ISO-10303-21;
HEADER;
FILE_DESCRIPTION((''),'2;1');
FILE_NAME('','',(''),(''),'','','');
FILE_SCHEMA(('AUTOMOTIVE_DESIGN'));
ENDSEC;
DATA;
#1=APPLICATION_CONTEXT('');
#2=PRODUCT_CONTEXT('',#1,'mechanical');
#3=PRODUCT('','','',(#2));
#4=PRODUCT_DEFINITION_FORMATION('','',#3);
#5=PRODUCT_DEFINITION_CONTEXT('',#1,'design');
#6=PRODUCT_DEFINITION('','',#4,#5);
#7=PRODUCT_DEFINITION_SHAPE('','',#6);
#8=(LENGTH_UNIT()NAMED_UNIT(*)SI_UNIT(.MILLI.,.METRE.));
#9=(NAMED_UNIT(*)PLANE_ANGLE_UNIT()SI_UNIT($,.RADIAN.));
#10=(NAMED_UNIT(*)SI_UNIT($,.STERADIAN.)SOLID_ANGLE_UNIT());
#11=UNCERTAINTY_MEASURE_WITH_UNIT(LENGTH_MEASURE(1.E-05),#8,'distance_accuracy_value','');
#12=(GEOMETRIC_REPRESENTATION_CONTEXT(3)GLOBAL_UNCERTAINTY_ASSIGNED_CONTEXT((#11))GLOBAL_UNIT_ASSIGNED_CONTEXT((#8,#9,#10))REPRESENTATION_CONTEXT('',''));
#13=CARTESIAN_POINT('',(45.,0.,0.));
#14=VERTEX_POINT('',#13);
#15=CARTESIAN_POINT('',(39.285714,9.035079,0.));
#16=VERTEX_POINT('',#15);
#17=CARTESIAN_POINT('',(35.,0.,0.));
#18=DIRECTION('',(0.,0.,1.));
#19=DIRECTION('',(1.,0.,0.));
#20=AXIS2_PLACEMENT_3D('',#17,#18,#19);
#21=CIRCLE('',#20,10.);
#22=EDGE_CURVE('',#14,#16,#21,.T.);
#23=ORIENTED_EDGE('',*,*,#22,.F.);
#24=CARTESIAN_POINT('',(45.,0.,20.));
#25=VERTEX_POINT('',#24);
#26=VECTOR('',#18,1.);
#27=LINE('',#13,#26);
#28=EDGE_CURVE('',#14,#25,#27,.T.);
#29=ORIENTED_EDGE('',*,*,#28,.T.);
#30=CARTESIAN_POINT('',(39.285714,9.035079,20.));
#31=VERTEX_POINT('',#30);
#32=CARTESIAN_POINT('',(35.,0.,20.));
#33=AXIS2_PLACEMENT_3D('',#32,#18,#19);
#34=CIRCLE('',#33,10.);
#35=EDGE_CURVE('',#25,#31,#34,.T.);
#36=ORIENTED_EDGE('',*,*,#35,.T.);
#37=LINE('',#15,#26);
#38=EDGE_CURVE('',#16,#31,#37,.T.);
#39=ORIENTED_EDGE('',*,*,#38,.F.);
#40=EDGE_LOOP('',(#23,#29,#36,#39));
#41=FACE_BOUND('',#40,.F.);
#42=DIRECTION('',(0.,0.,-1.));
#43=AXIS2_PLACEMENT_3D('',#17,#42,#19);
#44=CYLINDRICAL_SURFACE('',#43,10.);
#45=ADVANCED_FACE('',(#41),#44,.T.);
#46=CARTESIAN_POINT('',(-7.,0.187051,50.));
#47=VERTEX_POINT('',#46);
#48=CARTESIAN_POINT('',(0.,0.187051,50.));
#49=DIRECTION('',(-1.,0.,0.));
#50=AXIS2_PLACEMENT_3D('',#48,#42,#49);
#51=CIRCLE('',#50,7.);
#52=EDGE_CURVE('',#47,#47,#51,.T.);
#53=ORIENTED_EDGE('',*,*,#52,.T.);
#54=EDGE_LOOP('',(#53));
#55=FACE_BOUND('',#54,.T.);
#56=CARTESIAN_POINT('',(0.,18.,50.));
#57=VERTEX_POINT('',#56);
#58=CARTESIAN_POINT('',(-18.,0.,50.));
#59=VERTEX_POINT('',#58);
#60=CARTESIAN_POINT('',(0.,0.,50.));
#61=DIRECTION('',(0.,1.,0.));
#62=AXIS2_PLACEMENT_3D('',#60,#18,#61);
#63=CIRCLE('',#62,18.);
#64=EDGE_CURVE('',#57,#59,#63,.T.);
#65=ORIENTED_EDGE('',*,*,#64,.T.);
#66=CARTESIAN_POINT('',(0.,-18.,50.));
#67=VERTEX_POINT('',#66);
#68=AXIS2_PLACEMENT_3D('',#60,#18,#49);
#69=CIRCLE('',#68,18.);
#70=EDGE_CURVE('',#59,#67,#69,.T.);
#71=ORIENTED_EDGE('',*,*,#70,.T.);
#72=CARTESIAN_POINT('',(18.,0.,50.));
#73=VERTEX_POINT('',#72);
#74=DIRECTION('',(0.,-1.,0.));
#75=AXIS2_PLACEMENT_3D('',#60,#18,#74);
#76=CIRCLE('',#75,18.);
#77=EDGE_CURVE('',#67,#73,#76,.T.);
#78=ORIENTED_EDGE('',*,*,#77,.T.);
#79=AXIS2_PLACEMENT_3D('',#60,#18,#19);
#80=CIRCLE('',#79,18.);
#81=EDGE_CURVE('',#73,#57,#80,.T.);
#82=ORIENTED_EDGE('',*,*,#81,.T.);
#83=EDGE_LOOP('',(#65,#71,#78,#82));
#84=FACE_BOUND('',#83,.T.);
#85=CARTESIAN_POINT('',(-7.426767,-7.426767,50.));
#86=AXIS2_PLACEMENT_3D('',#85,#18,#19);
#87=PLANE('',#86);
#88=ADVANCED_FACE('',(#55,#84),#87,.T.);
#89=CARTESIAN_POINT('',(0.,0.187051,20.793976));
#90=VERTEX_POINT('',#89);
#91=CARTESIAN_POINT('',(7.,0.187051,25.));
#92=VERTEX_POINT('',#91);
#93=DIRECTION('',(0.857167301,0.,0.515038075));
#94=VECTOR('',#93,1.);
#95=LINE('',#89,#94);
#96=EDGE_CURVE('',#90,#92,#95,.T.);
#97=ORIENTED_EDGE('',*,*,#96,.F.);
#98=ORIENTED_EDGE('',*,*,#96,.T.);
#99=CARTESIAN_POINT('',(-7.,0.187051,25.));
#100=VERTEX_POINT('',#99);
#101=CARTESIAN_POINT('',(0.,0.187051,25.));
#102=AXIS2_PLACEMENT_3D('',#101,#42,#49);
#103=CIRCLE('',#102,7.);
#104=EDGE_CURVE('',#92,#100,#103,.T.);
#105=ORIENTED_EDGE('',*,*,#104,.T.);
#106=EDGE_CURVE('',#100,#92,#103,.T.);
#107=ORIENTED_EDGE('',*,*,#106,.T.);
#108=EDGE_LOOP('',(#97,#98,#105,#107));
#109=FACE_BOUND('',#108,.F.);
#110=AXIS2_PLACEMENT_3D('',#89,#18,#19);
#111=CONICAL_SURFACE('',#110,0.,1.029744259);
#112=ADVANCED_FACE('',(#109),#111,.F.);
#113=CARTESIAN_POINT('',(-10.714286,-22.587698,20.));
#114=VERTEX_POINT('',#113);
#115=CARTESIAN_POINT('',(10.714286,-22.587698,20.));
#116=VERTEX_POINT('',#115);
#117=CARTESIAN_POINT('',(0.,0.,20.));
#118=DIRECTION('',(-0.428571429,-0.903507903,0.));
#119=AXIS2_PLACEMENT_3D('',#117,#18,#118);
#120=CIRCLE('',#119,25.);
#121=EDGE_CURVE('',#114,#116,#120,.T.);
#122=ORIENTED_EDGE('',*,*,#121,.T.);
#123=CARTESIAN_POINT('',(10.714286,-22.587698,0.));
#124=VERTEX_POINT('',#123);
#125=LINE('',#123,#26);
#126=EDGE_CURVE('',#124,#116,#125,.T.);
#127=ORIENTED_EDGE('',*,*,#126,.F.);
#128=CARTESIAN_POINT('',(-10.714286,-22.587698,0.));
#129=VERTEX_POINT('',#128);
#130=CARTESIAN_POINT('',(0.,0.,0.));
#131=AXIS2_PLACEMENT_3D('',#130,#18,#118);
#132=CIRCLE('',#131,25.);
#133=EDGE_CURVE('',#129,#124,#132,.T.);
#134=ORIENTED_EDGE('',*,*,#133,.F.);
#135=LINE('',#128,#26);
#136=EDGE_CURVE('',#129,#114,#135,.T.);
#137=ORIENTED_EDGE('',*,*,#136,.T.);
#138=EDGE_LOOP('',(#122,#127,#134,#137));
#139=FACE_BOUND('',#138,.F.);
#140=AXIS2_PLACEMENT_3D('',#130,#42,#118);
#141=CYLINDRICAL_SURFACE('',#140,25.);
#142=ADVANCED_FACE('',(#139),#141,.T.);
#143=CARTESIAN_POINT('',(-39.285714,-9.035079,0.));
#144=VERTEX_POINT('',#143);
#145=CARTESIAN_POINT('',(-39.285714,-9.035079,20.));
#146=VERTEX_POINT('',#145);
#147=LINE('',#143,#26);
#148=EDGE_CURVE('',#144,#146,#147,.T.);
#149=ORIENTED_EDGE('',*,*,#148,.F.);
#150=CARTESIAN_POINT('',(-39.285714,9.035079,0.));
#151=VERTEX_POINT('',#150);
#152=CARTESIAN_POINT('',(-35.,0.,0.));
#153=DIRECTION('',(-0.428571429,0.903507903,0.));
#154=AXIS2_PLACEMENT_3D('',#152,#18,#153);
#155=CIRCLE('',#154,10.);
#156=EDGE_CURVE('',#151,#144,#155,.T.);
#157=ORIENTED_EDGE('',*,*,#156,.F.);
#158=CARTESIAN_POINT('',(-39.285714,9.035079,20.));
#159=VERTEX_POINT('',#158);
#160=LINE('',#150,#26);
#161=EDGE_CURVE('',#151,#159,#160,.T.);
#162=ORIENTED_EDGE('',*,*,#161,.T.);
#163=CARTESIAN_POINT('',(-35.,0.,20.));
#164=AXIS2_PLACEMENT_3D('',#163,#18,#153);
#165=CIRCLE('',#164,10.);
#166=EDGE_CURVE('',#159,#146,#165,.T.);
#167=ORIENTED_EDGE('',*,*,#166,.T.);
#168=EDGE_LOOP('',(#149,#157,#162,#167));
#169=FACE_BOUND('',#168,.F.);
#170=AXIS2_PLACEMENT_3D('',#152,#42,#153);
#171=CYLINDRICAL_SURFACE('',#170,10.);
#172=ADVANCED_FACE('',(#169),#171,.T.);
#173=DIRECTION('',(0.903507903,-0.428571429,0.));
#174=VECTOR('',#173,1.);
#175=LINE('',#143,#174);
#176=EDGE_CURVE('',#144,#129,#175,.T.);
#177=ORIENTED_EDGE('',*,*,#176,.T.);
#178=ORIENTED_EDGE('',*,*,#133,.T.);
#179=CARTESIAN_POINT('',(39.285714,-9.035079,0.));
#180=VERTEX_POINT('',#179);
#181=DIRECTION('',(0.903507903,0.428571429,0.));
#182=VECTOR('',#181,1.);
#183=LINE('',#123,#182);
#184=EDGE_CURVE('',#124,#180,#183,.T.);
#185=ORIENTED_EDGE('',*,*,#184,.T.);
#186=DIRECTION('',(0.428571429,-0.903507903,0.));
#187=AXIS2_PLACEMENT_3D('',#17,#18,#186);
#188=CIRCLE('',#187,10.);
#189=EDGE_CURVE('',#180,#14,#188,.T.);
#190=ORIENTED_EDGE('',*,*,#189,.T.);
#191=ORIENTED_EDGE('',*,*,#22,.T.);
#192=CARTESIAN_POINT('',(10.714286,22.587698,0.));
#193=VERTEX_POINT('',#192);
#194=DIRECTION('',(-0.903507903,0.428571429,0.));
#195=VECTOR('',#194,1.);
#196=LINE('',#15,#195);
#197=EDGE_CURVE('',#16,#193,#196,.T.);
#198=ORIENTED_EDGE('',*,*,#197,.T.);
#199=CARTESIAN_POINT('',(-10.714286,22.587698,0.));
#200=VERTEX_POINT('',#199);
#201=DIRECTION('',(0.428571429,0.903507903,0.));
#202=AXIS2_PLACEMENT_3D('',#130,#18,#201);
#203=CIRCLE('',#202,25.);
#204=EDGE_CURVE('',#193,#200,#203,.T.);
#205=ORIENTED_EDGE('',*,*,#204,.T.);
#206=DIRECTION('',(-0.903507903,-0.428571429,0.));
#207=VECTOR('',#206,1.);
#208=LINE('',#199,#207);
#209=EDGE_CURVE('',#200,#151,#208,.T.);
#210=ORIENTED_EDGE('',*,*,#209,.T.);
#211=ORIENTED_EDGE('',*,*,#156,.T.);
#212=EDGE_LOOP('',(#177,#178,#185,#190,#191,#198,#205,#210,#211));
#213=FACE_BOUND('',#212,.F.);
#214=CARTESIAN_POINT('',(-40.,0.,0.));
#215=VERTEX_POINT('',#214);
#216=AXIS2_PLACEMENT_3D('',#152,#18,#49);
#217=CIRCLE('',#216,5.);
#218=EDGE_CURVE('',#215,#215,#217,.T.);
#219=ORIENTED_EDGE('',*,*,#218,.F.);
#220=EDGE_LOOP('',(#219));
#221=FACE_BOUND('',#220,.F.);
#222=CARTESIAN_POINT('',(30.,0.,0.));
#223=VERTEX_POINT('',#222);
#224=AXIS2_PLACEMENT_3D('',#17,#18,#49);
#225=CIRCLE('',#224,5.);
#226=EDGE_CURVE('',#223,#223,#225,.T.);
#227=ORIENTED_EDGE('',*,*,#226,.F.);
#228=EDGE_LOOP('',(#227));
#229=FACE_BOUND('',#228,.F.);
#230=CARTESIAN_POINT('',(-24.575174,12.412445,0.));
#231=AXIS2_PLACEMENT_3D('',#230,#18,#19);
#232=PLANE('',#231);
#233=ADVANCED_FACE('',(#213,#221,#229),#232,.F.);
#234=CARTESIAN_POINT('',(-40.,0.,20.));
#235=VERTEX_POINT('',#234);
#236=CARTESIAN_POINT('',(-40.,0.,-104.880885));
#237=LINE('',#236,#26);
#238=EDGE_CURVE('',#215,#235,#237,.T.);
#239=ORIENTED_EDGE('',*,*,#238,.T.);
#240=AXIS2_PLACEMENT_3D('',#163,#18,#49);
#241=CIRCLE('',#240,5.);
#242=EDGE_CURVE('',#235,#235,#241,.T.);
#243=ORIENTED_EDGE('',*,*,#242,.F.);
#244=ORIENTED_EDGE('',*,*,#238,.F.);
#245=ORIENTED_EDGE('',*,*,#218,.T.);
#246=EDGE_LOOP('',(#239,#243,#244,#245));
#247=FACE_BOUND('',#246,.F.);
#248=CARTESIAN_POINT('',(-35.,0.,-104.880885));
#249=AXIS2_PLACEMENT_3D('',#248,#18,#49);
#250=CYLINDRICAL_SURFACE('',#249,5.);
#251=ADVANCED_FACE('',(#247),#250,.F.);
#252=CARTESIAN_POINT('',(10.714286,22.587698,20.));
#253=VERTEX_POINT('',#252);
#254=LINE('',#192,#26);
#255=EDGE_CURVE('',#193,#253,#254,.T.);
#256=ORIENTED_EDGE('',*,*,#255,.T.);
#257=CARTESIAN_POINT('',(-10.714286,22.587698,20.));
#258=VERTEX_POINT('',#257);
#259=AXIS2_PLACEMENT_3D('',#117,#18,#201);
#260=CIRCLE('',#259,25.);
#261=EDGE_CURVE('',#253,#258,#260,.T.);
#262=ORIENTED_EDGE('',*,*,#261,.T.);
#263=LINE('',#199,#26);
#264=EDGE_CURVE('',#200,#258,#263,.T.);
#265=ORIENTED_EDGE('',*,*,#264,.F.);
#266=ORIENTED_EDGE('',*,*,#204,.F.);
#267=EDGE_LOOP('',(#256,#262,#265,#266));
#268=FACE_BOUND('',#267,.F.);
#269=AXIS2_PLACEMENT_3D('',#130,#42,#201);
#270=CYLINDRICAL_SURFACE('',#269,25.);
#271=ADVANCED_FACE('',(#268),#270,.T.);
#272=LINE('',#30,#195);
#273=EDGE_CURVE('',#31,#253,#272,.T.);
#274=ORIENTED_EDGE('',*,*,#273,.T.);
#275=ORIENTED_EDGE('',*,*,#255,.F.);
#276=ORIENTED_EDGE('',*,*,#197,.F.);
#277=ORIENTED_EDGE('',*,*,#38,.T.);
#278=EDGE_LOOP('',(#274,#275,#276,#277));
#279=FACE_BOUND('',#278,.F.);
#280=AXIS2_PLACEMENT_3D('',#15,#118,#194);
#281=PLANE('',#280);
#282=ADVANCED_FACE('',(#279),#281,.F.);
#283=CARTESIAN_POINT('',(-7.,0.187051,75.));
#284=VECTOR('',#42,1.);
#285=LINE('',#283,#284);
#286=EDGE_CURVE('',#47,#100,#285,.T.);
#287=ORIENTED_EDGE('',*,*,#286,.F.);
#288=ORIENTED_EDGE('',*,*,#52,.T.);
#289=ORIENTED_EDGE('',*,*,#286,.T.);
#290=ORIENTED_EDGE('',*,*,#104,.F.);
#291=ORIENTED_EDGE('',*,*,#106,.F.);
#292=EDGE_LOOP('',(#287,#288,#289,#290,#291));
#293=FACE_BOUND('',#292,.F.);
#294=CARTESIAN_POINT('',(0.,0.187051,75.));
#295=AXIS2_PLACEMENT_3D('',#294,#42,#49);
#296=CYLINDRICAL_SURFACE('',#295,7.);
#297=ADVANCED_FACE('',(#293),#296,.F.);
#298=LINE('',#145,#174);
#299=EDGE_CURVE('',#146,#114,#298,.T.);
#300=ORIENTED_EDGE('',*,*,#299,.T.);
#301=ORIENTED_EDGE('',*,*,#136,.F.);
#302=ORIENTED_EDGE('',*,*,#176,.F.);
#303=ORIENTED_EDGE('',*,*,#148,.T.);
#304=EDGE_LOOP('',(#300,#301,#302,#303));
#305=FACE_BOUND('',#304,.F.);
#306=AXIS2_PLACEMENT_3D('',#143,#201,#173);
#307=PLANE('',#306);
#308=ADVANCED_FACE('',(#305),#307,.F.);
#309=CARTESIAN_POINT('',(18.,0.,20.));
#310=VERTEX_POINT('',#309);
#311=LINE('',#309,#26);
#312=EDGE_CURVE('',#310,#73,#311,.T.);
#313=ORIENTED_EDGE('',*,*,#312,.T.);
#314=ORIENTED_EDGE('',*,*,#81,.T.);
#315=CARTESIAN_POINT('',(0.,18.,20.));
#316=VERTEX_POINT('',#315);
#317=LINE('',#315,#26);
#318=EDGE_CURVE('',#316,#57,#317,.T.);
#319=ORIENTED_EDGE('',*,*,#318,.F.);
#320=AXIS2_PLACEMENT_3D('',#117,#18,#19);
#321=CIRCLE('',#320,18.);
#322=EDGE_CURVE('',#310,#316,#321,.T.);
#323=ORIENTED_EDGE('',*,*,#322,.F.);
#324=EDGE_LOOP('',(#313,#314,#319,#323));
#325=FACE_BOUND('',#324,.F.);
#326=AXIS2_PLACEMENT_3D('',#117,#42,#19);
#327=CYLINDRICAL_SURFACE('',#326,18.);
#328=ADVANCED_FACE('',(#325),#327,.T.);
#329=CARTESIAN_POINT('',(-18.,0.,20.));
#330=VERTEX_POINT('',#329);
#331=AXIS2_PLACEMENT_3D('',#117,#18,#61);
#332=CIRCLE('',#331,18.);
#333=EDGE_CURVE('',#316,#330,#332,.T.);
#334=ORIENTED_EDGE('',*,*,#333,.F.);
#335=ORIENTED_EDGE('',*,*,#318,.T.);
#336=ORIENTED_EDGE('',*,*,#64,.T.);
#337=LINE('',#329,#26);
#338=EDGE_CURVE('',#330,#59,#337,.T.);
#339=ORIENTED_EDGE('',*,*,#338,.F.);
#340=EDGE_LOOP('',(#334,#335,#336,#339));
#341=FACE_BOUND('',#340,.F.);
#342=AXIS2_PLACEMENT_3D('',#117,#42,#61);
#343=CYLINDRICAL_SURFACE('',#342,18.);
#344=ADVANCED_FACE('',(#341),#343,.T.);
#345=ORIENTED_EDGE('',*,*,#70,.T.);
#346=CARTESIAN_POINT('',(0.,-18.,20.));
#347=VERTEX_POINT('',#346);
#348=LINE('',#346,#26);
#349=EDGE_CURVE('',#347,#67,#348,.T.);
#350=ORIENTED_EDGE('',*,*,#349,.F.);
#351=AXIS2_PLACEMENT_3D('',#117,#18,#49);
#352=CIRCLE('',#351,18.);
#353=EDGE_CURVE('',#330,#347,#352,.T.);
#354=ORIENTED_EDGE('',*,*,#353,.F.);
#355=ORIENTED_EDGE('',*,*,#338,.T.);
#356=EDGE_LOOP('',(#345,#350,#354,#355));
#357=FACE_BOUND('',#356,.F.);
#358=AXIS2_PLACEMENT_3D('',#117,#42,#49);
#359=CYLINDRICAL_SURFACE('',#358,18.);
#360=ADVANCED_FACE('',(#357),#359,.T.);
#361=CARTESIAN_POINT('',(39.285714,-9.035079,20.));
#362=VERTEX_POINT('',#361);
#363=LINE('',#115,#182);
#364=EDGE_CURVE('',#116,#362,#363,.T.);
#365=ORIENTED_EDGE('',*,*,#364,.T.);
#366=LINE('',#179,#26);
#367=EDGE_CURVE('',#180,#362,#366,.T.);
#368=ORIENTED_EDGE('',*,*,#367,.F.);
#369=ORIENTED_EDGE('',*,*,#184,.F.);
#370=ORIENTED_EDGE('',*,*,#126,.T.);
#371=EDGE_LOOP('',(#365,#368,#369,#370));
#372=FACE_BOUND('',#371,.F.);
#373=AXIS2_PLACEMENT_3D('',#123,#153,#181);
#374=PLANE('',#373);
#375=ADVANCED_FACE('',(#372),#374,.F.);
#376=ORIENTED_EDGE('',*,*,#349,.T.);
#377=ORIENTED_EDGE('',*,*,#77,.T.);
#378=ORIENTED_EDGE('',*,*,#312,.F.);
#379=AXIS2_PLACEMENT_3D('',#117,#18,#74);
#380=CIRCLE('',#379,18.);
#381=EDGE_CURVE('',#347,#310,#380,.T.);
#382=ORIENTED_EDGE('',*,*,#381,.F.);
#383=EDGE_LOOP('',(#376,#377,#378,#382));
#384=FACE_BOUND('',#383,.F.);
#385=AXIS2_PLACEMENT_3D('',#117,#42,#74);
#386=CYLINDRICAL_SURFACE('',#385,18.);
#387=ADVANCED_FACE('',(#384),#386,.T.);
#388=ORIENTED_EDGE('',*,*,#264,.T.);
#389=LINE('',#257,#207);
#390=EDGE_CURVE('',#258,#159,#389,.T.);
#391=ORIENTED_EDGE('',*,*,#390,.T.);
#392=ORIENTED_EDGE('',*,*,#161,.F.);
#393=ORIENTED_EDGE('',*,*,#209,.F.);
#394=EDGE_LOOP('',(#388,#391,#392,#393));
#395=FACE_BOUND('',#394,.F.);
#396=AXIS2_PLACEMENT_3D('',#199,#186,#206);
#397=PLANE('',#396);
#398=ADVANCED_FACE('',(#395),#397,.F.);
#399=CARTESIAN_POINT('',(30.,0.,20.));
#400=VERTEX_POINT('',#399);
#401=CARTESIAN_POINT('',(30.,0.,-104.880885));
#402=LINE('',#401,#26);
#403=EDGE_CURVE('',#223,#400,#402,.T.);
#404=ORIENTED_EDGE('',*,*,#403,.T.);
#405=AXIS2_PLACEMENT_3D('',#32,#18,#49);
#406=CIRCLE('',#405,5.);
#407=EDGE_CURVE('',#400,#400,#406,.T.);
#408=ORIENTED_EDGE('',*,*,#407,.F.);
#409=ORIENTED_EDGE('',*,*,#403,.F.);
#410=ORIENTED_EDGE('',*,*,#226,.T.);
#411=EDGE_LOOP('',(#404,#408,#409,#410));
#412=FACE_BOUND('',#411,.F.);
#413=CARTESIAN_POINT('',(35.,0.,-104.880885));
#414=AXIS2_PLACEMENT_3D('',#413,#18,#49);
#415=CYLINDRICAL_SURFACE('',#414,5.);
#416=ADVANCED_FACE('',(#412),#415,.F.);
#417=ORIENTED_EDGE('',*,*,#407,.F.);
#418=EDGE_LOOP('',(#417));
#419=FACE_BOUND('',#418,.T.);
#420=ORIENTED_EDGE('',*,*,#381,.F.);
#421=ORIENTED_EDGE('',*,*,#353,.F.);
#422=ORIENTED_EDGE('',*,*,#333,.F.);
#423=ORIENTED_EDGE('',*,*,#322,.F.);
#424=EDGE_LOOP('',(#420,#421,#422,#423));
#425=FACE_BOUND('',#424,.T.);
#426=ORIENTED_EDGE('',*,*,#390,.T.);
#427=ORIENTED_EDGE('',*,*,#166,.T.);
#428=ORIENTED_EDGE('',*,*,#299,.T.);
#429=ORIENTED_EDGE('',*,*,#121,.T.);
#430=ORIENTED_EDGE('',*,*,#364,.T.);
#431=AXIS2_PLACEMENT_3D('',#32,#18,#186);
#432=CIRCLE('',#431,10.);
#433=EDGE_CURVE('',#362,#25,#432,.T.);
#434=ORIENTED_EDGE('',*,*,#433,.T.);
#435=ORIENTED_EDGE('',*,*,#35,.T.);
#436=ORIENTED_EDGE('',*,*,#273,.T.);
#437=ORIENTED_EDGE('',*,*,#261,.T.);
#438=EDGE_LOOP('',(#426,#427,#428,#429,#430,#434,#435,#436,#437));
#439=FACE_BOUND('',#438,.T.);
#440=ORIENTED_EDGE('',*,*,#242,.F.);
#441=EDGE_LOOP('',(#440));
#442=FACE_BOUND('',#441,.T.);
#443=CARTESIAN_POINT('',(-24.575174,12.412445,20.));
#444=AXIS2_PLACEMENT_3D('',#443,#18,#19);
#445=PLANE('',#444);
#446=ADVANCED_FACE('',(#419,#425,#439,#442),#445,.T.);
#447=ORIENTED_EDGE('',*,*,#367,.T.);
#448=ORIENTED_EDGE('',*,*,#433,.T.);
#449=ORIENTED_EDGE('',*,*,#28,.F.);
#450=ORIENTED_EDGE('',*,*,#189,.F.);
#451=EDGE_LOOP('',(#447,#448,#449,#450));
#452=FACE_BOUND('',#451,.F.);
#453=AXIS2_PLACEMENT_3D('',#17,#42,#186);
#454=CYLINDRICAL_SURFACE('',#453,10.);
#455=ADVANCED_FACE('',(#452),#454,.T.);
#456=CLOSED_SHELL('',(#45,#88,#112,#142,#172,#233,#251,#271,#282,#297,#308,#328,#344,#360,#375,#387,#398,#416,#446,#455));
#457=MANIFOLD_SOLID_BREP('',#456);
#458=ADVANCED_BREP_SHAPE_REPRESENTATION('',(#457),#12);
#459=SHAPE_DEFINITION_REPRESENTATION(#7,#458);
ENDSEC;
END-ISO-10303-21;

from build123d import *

# Parameters (mm, degrees)
F1_DEPTH = 20
F3_D     = 10
F4_DEPTH = 30
F6_D     = 14
F6_DEPTH = 25
F6_TIP   = 4.2060243332


with BuildPart() as f1:
    # F0 (on Top) → F1 (new body)
    with BuildSketch(Plane.XY):
        with BuildLine():
            ThreePointArc((-25, 0), (-21.1288563682, 13.3630620956), (-10.7142857143, 22.5876975726))
            Line((-10.7142857143, 22.5876975726), (-39.2857142857, 9.0350790291))
            ThreePointArc((-39.2857142857, 9.0350790291), (-29.6547751618, 8.4515425473), (-25, 0))
        make_face()
        with BuildLine():
            Line((0, 0), (18, 0))
            ThreePointArc((18, 0), (0, 18), (-18, 0))
            Line((-18, 0), (0, 0))
        make_face()
        with BuildLine():
            Line((18, 0), (25, 0))
            ThreePointArc((25, 0), (21.1288563682, 13.3630620956), (10.7142857143, 22.5876975726))
            ThreePointArc((10.7142857143, 22.5876975726), (0, 25), (-10.7142857143, 22.5876975726))
            ThreePointArc((-10.7142857143, 22.5876975726), (-21.1288563682, 13.3630620956), (-25, 0))
            Line((-25, 0), (-18, 0))
            ThreePointArc((-18, 0), (0, 18), (18, 0))
        make_face()
        with BuildLine():
            ThreePointArc((-39.2857142857, -9.0350790291), (-29.6547751618, -8.4515425473), (-25, 0))
            ThreePointArc((-25, 0), (-29.6547751618, 8.4515425473), (-39.2857142857, 9.0350790291))
            ThreePointArc((-39.2857142857, 9.0350790291), (-45, 0), (-39.2857142857, -9.0350790291))
        make_face()
        with BuildLine():
            Line((-39.2857142857, -9.0350790291), (-10.7142857143, -22.5876975726))
            ThreePointArc((-10.7142857143, -22.5876975726), (-21.1288563682, -13.3630620956), (-25, 0))
            ThreePointArc((-25, 0), (-29.6547751618, -8.4515425473), (-39.2857142857, -9.0350790291))
        make_face()
        with BuildLine():
            ThreePointArc((39.2857142857, -9.0350790291), (29.6547751618, -8.4515425473), (25, 0))
            ThreePointArc((25, 0), (21.1288563682, -13.3630620956), (10.7142857143, -22.5876975726))
            Line((10.7142857143, -22.5876975726), (39.2857142857, -9.0350790291))
        make_face()
        with BuildLine():
            ThreePointArc((-18, 0), (0, -18), (18, 0))
            Line((18, 0), (0, 0))
            Line((0, 0), (-18, 0))
        make_face()
        with BuildLine():
            ThreePointArc((10.7142857143, -22.5876975726), (21.1288563682, -13.3630620956), (25, 0))
            Line((25, 0), (18, 0))
            ThreePointArc((18, 0), (0, -18), (-18, 0))
            Line((-18, 0), (-25, 0))
            ThreePointArc((-25, 0), (-21.1288563682, -13.3630620956), (-10.7142857143, -22.5876975726))
            ThreePointArc((-10.7142857143, -22.5876975726), (0, -25), (10.7142857143, -22.5876975726))
        make_face()
        with BuildLine():
            ThreePointArc((39.2857142857, 9.0350790291), (29.6547751618, 8.4515425473), (25, 0))
            ThreePointArc((25, 0), (29.6547751618, -8.4515425473), (39.2857142857, -9.0350790291))
            ThreePointArc((39.2857142857, -9.0350790291), (43.4515425473, -5.3452248382), (45, 0))
            ThreePointArc((45, 0), (43.4515425473, 5.3452248382), (39.2857142857, 9.0350790291))
        make_face()
        with BuildLine():
            ThreePointArc((10.7142857143, 22.5876975726), (21.1288563682, 13.3630620956), (25, 0))
            ThreePointArc((25, 0), (29.6547751618, 8.4515425473), (39.2857142857, 9.0350790291))
            Line((39.2857142857, 9.0350790291), (10.7142857143, 22.5876975726))
        make_face()
    extrude(amount=F1_DEPTH)

    # F3 (through all)
    with Locations(Plane(origin=(0, 0, 0), x_dir=(1, 0, 0), z_dir=(0, 0, -1))):
        with Locations((-35, 0), (35, 0)):
            Hole(F3_D / 2)

    # F2 (on face) → F4 (join)
    with BuildSketch(Plane.XY.offset(20)):
        with BuildLine():
            Line((0, -18), (0, 0))
            Line((0, 0), (-18, 0))
            ThreePointArc((-18, 0), (-12.7279220614, -12.7279220614), (0, -18))
        make_face()
        with BuildLine():
            Line((-18, 0), (0, 0))
            Line((0, 0), (0, 18))
            ThreePointArc((0, 18), (-12.7279220614, 12.7279220614), (-18, 0))
        make_face()
        with BuildLine():
            Line((0, 0), (18, 0))
            ThreePointArc((18, 0), (12.7279220614, 12.7279220614), (0, 18))
            Line((0, 18), (0, 0))
        make_face()
        with BuildLine():
            ThreePointArc((0, -18), (12.7279220614, -12.7279220614), (18, 0))
            Line((18, 0), (0, 0))
            Line((0, 0), (0, -18))
        make_face()
    extrude(amount=F4_DEPTH)

    # F6
    with Locations(Plane.XY.offset(50)):
        with Locations((0, 0.1870505988)):
            Hole(F6_D / 2, depth=F6_DEPTH)
            with Locations((0, 0, -(F6_DEPTH + F6_TIP / 2))):  # 118° drill point
                Cone(0, F6_D / 2, F6_TIP, mode=Mode.SUBTRACT)


solid = f1.part
